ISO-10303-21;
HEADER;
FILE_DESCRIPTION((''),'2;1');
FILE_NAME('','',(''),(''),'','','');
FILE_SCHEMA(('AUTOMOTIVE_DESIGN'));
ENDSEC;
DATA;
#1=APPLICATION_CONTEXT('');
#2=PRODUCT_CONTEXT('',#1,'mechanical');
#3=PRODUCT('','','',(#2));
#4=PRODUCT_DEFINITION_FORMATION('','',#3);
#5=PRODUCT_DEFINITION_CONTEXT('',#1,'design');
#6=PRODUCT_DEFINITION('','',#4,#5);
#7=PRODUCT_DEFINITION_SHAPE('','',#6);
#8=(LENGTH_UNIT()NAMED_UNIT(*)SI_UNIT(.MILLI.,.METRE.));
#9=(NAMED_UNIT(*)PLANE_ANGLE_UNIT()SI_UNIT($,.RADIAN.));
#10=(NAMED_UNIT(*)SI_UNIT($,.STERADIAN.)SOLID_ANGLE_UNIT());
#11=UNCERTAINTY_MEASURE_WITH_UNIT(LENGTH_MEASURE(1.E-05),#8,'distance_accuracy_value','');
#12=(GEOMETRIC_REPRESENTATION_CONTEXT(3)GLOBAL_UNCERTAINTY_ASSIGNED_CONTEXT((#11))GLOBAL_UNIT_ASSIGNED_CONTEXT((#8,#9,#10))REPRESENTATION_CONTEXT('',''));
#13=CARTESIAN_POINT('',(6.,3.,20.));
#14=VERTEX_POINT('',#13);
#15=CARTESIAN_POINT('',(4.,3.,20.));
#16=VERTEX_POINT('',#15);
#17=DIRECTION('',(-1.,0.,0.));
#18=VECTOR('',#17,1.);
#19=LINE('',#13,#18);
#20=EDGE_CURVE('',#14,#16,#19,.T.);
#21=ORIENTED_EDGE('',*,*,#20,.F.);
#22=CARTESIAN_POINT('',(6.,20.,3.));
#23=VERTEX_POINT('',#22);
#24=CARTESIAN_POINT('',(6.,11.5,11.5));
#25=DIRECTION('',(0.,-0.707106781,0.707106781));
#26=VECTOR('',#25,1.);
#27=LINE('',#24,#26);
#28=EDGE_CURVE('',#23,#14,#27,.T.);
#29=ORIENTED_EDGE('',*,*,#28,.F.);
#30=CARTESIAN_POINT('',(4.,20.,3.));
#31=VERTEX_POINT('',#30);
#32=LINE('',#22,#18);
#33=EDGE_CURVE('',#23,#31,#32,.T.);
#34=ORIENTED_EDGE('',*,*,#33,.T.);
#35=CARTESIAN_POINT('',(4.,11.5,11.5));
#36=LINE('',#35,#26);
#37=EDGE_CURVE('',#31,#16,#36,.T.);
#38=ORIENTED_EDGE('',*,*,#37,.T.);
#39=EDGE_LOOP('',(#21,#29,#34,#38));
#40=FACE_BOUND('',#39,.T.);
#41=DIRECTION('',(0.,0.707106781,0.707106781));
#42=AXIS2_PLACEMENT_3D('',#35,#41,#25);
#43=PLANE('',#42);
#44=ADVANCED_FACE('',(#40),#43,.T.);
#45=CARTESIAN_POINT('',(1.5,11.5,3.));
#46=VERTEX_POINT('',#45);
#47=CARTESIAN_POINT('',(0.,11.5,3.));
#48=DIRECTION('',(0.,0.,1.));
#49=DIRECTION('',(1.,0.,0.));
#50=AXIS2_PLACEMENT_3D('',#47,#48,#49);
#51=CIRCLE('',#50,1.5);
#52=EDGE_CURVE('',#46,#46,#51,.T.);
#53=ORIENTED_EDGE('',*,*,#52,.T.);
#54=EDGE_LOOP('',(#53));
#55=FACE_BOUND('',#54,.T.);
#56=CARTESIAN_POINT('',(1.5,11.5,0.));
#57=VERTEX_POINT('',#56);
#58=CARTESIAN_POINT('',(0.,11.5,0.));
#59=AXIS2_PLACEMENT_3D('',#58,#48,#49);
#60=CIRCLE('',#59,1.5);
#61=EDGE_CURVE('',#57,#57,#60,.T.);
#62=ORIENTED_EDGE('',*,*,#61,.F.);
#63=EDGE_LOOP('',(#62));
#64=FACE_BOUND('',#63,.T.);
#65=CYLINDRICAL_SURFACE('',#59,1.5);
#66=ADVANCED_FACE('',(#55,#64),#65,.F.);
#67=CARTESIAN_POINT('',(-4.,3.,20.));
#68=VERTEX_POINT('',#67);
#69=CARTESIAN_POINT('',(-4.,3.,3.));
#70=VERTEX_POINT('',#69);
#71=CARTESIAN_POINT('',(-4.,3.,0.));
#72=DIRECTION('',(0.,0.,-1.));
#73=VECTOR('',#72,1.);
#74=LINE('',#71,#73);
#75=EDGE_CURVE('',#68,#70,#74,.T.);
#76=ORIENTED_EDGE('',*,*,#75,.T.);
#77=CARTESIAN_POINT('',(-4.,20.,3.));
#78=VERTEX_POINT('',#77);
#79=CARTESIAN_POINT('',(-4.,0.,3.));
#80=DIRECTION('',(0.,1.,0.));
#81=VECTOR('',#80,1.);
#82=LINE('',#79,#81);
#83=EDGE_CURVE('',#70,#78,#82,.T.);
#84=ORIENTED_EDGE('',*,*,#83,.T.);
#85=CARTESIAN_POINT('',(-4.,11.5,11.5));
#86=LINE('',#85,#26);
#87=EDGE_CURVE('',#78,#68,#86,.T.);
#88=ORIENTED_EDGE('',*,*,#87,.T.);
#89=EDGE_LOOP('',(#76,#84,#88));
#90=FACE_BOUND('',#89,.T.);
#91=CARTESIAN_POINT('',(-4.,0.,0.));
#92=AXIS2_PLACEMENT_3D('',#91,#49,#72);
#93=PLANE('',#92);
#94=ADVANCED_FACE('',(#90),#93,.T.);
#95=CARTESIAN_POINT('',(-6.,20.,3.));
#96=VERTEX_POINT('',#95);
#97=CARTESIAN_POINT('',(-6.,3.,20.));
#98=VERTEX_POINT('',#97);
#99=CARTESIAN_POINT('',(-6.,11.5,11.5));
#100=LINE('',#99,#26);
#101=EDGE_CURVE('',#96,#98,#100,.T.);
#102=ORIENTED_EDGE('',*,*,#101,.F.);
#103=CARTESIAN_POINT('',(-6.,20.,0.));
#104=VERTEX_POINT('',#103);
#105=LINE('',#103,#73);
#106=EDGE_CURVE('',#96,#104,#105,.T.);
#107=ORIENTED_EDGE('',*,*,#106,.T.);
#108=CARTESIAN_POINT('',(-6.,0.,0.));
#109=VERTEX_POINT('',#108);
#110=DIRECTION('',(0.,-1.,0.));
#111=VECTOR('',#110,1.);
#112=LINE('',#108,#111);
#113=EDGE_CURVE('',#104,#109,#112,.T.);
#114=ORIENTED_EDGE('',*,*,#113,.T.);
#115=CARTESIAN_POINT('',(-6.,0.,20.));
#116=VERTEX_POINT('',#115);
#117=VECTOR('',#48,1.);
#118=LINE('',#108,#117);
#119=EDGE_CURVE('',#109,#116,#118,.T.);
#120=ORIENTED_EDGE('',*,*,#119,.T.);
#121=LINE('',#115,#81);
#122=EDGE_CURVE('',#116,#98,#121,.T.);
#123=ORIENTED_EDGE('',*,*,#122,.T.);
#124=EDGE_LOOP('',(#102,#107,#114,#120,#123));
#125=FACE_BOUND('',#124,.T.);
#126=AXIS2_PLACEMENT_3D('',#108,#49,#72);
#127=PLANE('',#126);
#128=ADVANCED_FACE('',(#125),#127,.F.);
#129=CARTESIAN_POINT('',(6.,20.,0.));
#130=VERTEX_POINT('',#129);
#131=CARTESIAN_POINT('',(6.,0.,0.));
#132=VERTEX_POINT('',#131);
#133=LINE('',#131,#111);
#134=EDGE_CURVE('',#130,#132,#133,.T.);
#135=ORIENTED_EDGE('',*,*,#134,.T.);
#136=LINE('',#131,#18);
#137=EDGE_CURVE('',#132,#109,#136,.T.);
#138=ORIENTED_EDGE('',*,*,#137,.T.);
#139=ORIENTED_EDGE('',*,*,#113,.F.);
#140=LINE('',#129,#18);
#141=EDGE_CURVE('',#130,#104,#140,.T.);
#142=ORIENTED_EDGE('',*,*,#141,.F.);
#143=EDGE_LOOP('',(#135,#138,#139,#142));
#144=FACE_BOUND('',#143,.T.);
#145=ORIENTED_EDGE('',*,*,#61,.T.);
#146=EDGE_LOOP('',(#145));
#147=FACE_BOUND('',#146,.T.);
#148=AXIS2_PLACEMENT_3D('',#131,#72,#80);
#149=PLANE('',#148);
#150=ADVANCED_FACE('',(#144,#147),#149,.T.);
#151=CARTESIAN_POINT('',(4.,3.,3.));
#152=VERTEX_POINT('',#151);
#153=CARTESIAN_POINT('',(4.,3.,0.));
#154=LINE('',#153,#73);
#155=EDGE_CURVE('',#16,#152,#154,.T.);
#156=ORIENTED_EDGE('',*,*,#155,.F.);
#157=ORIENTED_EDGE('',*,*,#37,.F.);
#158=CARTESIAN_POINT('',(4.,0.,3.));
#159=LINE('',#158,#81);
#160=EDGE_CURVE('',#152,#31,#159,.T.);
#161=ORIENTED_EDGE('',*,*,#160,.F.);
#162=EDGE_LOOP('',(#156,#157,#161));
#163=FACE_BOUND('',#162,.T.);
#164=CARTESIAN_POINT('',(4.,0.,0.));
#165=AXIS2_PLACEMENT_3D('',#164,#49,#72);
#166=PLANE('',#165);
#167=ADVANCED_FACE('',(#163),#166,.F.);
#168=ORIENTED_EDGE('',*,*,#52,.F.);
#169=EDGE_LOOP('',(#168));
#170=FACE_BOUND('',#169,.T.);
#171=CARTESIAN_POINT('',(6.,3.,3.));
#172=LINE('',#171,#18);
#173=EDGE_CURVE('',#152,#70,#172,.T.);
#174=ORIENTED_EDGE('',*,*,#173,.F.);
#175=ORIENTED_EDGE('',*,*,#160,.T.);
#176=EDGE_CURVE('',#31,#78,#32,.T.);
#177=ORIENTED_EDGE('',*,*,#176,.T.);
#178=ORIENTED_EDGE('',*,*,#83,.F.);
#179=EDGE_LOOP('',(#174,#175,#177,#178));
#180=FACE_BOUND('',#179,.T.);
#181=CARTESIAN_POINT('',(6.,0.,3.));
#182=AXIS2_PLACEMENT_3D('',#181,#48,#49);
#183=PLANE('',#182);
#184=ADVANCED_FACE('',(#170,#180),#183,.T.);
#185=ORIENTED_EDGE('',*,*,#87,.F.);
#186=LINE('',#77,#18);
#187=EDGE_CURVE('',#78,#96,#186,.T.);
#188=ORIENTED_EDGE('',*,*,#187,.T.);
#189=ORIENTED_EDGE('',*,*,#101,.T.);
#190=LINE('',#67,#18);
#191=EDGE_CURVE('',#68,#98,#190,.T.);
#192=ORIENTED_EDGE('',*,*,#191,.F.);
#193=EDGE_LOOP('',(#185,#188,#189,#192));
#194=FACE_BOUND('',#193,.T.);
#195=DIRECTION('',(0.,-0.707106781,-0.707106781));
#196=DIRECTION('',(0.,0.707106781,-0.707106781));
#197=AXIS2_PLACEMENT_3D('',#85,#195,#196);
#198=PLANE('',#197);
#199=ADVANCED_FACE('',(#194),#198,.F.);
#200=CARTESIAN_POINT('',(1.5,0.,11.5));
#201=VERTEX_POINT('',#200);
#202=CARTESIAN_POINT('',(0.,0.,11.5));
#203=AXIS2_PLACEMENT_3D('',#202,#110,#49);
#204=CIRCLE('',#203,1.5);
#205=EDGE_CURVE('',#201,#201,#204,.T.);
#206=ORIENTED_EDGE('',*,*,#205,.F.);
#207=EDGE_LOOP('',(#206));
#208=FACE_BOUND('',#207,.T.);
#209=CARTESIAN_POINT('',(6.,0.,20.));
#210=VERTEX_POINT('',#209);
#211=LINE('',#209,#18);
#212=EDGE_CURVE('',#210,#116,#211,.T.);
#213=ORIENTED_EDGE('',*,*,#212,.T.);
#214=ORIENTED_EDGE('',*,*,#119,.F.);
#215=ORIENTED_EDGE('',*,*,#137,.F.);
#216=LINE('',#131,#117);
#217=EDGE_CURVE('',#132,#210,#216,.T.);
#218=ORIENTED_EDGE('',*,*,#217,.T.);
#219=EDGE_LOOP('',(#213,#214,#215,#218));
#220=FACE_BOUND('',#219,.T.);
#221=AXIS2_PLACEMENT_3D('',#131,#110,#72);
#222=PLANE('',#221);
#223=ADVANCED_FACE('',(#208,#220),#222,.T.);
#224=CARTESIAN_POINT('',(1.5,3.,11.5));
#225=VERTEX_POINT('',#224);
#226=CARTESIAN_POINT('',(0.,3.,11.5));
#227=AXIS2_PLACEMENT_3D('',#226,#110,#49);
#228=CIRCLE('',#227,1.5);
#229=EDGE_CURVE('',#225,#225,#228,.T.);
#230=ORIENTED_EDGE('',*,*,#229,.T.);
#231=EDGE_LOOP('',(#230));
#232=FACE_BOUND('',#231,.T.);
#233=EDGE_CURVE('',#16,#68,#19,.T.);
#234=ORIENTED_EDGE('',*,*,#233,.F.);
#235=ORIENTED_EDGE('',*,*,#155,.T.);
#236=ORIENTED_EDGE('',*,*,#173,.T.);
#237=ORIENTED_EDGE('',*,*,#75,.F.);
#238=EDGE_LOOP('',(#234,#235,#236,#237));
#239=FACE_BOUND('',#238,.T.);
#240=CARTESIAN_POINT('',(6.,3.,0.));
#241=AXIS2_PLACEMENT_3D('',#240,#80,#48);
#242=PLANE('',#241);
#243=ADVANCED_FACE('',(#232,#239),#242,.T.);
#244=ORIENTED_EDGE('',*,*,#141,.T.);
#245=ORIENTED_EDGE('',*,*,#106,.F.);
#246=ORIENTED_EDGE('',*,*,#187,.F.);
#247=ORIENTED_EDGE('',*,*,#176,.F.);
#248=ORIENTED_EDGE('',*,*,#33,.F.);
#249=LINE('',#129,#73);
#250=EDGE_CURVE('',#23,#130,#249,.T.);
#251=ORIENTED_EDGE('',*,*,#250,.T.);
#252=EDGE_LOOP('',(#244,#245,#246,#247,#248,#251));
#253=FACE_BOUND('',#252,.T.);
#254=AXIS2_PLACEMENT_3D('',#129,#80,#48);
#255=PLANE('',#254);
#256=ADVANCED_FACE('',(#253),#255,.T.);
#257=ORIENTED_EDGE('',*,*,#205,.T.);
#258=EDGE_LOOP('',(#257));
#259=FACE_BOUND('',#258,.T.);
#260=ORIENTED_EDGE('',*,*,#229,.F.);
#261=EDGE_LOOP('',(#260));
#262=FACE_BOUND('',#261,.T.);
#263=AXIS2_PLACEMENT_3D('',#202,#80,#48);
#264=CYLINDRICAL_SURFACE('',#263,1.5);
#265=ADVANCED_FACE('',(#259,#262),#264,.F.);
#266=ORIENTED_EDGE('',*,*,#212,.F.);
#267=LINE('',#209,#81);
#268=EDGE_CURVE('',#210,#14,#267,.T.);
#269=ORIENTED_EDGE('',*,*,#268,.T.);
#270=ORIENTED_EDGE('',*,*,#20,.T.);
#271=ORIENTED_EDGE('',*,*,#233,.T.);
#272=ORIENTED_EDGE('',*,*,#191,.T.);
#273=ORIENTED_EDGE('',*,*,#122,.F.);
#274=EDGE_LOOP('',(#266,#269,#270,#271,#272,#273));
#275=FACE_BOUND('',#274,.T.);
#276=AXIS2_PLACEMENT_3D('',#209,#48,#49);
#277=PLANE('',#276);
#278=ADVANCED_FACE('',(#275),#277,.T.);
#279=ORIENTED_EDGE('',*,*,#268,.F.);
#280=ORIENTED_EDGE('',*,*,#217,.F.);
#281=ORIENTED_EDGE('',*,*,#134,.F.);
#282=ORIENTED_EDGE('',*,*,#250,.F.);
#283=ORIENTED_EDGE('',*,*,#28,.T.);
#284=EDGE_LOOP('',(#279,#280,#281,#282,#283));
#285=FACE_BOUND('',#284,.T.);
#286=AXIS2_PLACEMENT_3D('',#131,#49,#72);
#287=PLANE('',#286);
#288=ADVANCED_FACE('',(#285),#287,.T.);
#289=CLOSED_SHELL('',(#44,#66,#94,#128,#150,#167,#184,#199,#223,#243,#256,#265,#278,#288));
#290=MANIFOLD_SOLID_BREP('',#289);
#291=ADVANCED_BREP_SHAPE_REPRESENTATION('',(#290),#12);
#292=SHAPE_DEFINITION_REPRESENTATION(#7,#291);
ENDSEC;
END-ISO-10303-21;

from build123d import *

# Parameters (mm, degrees)
AUFSATZ_LINEAR_AUSTRAGEN1_DEPTH = 6
AUFSATZ_LINEAR_START            = 6
AUFSATZ_LINEAR_AUSTRAGEN4_DEPTH = 2
AUFSATZ_LINEAR_START_2          = -6
AUFSATZ_LINEAR_AUSTRAGEN5_DEPTH = 2
SKIZZE2_R                       = 1.5
SCHNITT_LINEAR_AUSTRAGEN1_DEPTH = 4


with BuildPart() as part:
    # Skizze1 → Aufsatz-Linear austragen1 (new body, symmetric)
    with BuildSketch(Plane(origin=(0, 0, 0), x_dir=(0, 0, -1), z_dir=(1, 0, 0))):
        Polygon((0, 20), (0, 0), (-20, 0), (-20, 3), (-3, 3), (-3, 20), align=None)
    extrude(amount=AUFSATZ_LINEAR_AUSTRAGEN1_DEPTH, both=True)

    # Skizze1_3 → Aufsatz-Linear austragen4 (add)
    with BuildSketch(Plane(origin=(0, 0, 0), x_dir=(0, 0, -1), z_dir=(1, 0, 0)).offset(AUFSATZ_LINEAR_START)):
        Polygon((-3, 3), (-3, 20), (-20, 3), align=None)
    extrude(amount=-AUFSATZ_LINEAR_AUSTRAGEN4_DEPTH)

    # Skizze1_4 → Aufsatz-Linear austragen5 (add)
    with BuildSketch(Plane(origin=(0, 0, 0), x_dir=(0, 0, -1), z_dir=(1, 0, 0)).offset(AUFSATZ_LINEAR_START_2)):
        Polygon((-3, 3), (-3, 20), (-20, 3), align=None)
    extrude(amount=AUFSATZ_LINEAR_AUSTRAGEN5_DEPTH)

    # Skizze2 → Schnitt-Linear austragen1 (cut, through all)
    with BuildSketch(Plane.XY.offset(3)):
        with Locations((0, 11.5)):
            Circle(SKIZZE2_R)
    schnitt_linear_austragen1 = extrude(amount=-SCHNITT_LINEAR_AUSTRAGEN1_DEPTH, mode=Mode.SUBTRACT)

    # Spiegeln2: Schnitt-Linear austragen1 across plane
    add(schnitt_linear_austragen1.mirror(Plane(origin=(0, 0, 0), x_dir=(0, 0.707106781, 0.707106781), z_dir=(0, -0.707106781, 0.707106781))), mode=Mode.SUBTRACT)


solid = part.part
